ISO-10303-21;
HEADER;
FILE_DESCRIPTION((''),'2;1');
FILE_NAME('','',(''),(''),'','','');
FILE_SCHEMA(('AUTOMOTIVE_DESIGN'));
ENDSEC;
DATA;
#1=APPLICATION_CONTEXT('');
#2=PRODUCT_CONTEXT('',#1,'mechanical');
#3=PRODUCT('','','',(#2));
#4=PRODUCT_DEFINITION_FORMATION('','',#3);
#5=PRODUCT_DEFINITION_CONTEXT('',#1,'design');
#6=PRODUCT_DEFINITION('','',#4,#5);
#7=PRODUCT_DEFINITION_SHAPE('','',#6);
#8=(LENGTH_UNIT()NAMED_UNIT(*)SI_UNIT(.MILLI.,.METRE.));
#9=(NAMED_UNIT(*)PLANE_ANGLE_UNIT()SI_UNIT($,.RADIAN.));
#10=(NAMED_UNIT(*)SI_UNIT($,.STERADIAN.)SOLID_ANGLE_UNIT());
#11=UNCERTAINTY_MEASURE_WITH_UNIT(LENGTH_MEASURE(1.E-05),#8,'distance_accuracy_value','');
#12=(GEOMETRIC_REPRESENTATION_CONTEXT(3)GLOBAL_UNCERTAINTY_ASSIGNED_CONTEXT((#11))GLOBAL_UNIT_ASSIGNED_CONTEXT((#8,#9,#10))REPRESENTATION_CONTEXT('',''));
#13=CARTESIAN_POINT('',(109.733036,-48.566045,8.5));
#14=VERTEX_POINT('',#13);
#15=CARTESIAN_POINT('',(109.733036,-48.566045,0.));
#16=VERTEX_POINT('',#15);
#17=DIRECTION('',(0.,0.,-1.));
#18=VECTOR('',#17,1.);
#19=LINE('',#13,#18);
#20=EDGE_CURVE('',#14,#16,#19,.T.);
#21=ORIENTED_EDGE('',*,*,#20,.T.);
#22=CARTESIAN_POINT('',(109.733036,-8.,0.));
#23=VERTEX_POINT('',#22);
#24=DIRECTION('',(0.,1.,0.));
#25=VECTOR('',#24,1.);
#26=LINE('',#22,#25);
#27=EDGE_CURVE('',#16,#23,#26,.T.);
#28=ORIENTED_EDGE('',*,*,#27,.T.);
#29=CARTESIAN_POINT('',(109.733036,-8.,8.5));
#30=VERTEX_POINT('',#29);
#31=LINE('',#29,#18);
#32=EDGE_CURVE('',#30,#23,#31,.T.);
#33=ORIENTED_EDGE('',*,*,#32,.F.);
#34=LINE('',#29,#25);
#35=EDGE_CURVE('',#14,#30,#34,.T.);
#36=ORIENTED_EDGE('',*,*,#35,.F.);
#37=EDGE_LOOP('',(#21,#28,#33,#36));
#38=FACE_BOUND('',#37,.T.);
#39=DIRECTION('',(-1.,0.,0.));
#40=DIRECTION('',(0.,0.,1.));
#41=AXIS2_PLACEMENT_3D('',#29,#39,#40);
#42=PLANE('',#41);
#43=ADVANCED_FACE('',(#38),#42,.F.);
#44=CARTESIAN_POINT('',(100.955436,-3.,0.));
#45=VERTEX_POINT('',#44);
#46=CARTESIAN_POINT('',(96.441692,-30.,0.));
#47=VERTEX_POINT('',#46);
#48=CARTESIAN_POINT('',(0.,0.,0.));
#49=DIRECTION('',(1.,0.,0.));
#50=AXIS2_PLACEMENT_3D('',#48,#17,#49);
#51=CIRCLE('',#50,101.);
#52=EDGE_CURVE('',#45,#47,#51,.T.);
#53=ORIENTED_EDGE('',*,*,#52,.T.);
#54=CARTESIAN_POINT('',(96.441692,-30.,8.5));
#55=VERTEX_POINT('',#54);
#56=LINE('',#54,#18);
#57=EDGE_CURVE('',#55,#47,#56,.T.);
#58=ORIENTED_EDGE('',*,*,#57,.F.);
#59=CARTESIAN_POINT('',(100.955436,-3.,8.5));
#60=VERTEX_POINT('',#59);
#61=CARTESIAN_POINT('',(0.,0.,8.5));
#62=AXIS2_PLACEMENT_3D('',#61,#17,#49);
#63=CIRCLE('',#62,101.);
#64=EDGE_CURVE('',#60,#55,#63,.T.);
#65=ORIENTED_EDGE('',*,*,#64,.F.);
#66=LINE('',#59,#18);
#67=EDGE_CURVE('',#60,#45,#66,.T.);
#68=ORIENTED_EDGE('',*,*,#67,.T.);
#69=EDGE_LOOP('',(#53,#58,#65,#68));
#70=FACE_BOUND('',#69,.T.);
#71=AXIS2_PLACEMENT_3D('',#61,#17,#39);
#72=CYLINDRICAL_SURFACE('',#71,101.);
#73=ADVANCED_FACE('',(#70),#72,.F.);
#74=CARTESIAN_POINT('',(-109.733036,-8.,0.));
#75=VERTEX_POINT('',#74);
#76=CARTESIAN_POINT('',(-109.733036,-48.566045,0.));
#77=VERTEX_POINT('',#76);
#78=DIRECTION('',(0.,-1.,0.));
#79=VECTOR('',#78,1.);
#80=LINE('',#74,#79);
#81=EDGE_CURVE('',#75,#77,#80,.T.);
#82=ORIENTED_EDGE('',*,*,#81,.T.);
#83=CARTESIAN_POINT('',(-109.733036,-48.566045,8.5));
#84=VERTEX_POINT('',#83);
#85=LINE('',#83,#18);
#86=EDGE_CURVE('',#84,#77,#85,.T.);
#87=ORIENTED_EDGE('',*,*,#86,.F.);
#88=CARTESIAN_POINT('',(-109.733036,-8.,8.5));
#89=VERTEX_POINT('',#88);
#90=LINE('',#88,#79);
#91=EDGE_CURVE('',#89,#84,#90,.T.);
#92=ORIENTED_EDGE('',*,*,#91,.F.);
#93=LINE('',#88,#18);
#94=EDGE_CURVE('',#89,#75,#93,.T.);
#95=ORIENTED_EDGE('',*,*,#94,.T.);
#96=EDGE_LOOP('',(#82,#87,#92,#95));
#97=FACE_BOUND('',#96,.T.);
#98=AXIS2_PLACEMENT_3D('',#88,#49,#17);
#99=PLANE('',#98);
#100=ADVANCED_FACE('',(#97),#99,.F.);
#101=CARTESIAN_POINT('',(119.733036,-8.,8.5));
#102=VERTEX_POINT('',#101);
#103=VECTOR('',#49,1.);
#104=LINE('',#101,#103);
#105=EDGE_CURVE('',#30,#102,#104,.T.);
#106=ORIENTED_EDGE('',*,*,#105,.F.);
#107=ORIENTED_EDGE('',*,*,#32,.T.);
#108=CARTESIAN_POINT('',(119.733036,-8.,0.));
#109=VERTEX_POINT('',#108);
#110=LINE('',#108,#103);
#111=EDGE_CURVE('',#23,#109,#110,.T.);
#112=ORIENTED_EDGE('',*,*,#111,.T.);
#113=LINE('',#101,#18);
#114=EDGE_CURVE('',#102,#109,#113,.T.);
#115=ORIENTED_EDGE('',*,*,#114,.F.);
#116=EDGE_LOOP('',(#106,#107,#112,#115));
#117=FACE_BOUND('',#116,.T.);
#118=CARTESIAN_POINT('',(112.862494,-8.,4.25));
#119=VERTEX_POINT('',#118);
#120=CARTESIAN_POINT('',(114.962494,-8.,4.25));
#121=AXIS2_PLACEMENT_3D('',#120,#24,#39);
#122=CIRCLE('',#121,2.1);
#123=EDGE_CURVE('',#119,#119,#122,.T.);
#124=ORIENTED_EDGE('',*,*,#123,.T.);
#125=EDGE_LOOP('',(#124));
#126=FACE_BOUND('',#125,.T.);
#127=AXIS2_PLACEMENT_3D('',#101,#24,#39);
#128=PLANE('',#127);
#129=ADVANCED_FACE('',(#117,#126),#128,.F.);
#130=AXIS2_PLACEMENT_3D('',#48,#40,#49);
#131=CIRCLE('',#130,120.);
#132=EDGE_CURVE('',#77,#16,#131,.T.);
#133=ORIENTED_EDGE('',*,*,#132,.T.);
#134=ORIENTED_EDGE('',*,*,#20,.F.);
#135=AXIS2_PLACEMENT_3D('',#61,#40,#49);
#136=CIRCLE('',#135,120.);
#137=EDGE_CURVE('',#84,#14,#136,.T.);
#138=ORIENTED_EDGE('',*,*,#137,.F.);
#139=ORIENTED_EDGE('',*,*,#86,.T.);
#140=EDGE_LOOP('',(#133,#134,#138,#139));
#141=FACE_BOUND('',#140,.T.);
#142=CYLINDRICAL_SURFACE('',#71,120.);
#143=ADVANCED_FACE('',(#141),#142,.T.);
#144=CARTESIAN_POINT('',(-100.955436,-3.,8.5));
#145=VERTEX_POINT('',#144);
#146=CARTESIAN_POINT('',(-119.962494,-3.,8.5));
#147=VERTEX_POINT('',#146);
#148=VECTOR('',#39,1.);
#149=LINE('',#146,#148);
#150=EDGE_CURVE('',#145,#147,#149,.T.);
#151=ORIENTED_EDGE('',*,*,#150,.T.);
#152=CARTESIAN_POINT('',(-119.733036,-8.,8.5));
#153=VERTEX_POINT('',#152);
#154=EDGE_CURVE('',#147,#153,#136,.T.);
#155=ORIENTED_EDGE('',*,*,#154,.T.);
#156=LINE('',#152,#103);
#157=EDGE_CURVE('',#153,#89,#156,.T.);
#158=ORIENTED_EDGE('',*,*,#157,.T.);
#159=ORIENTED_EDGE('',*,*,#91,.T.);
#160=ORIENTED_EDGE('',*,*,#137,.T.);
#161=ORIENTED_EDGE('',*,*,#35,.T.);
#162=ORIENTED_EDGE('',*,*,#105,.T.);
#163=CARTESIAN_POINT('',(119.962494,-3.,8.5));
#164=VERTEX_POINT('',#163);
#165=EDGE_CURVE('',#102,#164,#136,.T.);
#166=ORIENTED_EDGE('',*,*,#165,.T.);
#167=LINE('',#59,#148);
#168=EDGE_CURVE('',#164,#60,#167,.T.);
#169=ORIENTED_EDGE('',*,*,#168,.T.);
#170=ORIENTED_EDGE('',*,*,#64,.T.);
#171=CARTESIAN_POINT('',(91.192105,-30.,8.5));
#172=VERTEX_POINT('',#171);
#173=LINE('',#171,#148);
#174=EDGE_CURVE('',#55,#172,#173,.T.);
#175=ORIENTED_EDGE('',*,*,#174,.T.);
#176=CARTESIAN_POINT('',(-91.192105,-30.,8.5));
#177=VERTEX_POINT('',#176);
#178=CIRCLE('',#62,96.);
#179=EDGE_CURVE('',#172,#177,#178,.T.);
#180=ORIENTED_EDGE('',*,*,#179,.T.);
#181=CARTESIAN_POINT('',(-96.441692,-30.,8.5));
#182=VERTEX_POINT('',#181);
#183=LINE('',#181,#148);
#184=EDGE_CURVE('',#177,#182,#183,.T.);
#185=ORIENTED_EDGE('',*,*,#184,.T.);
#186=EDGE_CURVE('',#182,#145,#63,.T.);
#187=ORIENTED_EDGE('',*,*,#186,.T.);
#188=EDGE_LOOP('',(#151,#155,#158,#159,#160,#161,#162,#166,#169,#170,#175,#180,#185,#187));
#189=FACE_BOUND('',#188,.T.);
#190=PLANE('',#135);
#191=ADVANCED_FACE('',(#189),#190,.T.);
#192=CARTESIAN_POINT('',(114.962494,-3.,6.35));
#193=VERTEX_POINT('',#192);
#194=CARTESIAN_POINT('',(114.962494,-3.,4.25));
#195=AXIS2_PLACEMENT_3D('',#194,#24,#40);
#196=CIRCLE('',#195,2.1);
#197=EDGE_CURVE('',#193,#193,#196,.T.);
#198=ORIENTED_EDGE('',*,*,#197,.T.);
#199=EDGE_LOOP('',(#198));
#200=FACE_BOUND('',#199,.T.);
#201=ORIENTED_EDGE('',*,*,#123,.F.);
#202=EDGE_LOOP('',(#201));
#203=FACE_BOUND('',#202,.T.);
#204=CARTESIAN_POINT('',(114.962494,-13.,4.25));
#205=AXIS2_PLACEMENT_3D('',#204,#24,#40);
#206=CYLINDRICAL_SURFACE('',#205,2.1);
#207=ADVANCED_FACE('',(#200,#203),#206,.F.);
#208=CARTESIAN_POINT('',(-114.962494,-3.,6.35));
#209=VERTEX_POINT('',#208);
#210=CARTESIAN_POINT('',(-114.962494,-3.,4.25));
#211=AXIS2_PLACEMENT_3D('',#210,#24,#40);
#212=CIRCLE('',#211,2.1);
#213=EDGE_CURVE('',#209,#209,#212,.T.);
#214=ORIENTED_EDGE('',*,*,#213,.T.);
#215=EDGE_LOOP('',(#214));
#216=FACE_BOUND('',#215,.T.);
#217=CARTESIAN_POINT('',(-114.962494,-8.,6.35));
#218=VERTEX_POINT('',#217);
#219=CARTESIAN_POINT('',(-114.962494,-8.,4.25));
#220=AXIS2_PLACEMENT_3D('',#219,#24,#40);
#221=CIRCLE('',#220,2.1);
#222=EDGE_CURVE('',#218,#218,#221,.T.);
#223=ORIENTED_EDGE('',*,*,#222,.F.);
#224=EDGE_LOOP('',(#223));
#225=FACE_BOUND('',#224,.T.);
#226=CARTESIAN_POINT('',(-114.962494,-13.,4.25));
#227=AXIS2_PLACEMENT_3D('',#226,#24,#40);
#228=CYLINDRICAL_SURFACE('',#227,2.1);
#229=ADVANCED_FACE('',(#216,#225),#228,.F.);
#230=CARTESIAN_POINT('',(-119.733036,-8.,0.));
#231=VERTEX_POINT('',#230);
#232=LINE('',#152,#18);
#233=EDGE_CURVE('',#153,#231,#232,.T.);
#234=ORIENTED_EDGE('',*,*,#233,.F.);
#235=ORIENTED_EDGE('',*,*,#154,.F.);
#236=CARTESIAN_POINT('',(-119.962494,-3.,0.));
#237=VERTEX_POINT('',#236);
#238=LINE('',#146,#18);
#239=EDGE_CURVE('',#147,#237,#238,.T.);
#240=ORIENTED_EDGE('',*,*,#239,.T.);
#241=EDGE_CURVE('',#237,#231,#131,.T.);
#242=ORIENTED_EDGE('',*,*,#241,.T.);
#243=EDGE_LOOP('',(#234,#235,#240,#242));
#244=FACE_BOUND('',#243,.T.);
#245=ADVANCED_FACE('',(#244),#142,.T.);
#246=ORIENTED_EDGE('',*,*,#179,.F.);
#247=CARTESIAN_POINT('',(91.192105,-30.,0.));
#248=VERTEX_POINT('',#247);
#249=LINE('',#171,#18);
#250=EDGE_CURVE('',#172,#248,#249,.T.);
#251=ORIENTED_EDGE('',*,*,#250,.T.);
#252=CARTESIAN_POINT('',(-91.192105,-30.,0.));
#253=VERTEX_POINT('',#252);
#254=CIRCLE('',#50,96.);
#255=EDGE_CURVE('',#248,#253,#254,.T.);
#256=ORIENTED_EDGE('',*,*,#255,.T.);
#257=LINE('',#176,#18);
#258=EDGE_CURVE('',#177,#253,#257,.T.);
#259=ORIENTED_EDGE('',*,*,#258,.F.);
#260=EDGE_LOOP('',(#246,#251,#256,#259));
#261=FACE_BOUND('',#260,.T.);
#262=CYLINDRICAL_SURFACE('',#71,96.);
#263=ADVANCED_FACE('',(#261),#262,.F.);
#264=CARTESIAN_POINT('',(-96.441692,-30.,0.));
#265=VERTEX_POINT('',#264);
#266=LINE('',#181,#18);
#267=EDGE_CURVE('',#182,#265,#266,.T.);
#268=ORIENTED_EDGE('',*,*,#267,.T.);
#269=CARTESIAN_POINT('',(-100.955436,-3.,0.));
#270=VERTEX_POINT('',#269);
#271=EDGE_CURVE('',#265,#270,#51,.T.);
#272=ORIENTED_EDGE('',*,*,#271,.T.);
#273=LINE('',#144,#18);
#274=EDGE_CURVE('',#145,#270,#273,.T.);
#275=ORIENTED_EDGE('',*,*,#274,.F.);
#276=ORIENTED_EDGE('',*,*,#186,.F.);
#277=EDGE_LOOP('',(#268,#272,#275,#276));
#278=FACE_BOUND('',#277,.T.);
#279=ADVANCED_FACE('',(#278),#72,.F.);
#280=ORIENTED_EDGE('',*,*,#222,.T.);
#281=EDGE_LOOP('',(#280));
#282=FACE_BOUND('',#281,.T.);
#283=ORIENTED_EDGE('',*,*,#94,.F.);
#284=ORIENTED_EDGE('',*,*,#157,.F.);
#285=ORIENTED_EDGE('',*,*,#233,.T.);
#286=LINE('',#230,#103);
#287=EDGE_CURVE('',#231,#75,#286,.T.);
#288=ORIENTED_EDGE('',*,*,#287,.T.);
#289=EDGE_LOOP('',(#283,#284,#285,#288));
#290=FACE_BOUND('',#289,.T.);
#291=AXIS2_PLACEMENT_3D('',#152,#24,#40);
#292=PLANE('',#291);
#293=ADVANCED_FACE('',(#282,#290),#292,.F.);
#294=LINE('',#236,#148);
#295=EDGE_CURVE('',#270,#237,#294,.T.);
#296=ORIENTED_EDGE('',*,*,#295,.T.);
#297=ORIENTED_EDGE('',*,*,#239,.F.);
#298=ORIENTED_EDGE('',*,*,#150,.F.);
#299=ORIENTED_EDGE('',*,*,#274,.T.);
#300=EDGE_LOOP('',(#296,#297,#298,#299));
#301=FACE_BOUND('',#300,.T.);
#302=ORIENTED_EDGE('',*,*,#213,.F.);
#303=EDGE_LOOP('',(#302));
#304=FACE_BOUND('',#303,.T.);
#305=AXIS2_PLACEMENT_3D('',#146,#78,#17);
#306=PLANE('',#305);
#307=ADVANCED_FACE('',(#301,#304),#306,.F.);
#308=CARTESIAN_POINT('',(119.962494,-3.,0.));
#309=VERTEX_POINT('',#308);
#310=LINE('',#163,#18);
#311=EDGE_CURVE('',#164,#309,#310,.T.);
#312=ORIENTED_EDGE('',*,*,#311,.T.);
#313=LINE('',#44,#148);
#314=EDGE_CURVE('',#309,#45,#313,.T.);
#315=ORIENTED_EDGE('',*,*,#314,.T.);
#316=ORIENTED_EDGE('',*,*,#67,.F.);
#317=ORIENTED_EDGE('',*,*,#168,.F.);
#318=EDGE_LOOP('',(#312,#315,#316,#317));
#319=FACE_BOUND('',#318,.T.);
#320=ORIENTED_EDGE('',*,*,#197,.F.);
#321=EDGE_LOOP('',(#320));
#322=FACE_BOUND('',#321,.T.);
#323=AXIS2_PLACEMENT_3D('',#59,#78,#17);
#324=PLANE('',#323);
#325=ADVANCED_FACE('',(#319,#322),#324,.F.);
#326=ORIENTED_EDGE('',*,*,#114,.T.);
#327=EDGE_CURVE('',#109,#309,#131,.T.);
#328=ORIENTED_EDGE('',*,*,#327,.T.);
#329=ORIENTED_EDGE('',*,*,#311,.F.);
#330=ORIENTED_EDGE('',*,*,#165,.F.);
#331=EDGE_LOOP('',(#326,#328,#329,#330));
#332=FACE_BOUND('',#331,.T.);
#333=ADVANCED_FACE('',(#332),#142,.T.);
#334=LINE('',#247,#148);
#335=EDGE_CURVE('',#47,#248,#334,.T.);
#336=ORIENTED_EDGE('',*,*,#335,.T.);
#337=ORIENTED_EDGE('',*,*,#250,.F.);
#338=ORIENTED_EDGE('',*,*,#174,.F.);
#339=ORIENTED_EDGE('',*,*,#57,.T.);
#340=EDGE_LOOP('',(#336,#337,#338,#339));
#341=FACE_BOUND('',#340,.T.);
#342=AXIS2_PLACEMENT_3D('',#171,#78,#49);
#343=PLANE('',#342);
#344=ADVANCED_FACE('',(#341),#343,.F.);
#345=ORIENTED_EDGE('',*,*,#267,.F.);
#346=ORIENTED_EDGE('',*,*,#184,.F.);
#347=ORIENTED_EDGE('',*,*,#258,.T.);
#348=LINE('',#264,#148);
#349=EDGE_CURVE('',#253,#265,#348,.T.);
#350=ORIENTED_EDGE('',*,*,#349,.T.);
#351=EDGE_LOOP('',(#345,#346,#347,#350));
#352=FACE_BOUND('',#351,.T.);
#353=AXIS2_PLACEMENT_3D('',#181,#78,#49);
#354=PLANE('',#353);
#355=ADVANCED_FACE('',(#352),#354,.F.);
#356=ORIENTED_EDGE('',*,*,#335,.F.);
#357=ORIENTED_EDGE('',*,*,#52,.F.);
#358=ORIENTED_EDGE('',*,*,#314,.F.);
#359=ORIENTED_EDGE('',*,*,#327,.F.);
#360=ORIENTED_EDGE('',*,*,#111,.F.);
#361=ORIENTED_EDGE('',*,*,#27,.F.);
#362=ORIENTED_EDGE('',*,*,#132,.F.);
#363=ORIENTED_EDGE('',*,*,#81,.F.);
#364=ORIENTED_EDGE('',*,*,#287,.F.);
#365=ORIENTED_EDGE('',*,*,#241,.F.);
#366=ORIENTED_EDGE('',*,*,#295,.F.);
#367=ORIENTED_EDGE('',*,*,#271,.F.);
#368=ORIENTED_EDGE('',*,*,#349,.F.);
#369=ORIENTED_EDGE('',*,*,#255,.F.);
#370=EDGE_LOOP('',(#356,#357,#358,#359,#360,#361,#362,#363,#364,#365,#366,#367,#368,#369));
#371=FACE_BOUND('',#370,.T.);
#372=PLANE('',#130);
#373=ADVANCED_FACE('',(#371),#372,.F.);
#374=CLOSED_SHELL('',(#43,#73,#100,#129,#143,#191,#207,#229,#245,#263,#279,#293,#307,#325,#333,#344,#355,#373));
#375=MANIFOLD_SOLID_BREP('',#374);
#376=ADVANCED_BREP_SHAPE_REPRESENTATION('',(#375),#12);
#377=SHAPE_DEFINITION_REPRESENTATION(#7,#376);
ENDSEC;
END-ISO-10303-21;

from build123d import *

# Parameters (mm, degrees)
EXTRUDE_1_DEPTH     = 8.5
SKETCH_2_R          = 2.1
CUT_EXTRUDE_1_DEPTH = 10


with BuildPart() as part:
    # 草图1 → 凸台-拉伸1 (new body)
    with BuildSketch(Plane.XY):
        with BuildLine():
            Line((-119.733036377, -8), (-109.733036377, -8))
            Line((-109.733036377, -8), (-109.733036377, -48.566045006))
            ThreePointArc((-109.733036377, -48.566045006), (0, -120), (109.733036377, -48.566045006))
            Line((109.733036377, -48.566045006), (109.733036377, -8))
            Line((109.733036377, -8), (119.733036377, -8))
            ThreePointArc((119.733036377, -8), (119.873837168, -5.50119648), (119.962494139, -3))
            Line((119.962494139, -3), (100.955435713, -3))
            ThreePointArc((100.955435713, -3), (99.617551315, -16.653632338), (96.441692229, -30))
            Line((96.441692229, -30), (91.192104921, -30))
            ThreePointArc((91.192104921, -30), (0, -96), (-91.192104921, -30))
            Line((-91.192104921, -30), (-96.441692229, -30))
            ThreePointArc((-96.441692229, -30), (-99.617551315, -16.653632338), (-100.955435713, -3))
            Line((-100.955435713, -3), (-119.962494139, -3))
            ThreePointArc((-119.962494139, -3), (-119.873837168, -5.50119648), (-119.733036377, -8))
        make_face()
    extrude(amount=EXTRUDE_1_DEPTH)

    # 草图2 → 切除-拉伸1 (cut)
    with BuildSketch(Plane(origin=(0, -3, 0), x_dir=(1, 0, 0), z_dir=(0, 1, 0))):
        with Locations(Location((-114.962494139, -4.25, 0), (0, 0, 270))):
            Circle(SKETCH_2_R)
        with Locations(Location((114.962494139, -4.25, 0), (0, 0, 270))):
            Circle(SKETCH_2_R)
    extrude(amount=-CUT_EXTRUDE_1_DEPTH, mode=Mode.SUBTRACT)


solid = part.part
